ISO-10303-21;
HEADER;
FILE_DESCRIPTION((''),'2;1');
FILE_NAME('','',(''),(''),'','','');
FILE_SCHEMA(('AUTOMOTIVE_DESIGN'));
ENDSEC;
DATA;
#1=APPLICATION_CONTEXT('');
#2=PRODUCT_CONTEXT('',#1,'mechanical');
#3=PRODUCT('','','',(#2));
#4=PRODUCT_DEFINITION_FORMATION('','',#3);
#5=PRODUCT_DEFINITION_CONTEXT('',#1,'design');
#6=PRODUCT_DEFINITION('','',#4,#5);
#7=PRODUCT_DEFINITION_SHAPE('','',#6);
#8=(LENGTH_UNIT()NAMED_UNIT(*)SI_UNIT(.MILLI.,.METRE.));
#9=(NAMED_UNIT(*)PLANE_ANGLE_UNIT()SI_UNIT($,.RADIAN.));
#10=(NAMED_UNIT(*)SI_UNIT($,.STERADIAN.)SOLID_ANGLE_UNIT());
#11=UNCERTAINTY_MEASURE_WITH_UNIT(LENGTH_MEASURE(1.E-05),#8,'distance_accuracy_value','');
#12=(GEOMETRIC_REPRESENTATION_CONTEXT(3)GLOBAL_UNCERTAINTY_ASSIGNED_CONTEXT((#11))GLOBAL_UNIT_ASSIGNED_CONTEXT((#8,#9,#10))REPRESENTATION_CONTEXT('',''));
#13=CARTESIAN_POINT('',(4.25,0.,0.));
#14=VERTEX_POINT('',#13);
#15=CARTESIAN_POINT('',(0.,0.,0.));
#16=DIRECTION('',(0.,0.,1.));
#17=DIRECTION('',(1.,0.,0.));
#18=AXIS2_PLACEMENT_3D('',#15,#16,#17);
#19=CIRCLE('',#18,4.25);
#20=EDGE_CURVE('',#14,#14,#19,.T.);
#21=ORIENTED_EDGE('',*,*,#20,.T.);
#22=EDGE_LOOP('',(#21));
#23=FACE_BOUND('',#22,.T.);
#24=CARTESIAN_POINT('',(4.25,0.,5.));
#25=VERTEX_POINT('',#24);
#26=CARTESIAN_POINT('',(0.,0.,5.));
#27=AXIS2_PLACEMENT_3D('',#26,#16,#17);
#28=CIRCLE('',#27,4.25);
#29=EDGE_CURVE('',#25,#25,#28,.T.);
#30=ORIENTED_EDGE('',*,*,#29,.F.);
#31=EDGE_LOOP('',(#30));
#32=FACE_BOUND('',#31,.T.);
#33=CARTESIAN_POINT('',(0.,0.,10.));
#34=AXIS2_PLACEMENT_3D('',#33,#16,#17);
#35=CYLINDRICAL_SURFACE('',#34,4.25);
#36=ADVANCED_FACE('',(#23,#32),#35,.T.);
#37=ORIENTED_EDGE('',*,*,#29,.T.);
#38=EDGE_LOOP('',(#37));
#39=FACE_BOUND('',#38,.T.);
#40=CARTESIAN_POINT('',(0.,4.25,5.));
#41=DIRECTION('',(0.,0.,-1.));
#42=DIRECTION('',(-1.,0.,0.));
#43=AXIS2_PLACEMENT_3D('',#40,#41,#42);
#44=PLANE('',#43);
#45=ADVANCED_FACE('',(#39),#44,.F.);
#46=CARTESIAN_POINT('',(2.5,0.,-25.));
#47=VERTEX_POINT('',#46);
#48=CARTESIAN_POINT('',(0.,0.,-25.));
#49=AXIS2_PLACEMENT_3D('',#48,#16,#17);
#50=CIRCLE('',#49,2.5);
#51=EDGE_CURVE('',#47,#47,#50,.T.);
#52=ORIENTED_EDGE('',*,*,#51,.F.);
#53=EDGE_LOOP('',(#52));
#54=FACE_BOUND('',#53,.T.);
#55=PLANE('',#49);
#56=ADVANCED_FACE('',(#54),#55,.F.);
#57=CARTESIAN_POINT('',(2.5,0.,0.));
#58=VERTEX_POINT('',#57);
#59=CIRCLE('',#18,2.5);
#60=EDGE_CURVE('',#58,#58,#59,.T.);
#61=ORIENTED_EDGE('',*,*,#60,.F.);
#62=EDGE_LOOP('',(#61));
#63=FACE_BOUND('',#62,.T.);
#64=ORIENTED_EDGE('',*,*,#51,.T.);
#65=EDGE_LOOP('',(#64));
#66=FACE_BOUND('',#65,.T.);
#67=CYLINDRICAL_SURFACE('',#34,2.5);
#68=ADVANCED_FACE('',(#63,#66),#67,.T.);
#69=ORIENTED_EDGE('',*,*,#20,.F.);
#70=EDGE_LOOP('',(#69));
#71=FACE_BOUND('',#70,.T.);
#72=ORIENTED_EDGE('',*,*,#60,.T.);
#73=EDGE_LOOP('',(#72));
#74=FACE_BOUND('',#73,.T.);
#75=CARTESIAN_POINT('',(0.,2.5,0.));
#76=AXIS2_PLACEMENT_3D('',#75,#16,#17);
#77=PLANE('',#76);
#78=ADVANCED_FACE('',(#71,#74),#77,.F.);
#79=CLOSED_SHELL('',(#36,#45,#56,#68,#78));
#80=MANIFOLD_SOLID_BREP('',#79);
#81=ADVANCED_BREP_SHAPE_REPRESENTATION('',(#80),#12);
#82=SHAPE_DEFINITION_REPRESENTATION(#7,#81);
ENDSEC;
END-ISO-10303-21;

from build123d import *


with BuildPart() as part:
    # 草图1 → 旋转1 (revolve)
    with BuildSketch(Plane(origin=(0, 0, 0), x_dir=(0, 0, -1), z_dir=(1, 0, 0)), mode=Mode.PRIVATE) as revolve_1_sk:
        Polygon((25, 0), (25, 2.5), (0, 2.5), (0, 4.25), (-5, 4.25), (-5, 0), align=None)
    revolve(revolve_1_sk.sketch.rotate(Axis((0, 0, 10), (0, 0, -1)), 90), axis=Axis((0, 0, 10), (0, 0, -1)))


solid = part.part
